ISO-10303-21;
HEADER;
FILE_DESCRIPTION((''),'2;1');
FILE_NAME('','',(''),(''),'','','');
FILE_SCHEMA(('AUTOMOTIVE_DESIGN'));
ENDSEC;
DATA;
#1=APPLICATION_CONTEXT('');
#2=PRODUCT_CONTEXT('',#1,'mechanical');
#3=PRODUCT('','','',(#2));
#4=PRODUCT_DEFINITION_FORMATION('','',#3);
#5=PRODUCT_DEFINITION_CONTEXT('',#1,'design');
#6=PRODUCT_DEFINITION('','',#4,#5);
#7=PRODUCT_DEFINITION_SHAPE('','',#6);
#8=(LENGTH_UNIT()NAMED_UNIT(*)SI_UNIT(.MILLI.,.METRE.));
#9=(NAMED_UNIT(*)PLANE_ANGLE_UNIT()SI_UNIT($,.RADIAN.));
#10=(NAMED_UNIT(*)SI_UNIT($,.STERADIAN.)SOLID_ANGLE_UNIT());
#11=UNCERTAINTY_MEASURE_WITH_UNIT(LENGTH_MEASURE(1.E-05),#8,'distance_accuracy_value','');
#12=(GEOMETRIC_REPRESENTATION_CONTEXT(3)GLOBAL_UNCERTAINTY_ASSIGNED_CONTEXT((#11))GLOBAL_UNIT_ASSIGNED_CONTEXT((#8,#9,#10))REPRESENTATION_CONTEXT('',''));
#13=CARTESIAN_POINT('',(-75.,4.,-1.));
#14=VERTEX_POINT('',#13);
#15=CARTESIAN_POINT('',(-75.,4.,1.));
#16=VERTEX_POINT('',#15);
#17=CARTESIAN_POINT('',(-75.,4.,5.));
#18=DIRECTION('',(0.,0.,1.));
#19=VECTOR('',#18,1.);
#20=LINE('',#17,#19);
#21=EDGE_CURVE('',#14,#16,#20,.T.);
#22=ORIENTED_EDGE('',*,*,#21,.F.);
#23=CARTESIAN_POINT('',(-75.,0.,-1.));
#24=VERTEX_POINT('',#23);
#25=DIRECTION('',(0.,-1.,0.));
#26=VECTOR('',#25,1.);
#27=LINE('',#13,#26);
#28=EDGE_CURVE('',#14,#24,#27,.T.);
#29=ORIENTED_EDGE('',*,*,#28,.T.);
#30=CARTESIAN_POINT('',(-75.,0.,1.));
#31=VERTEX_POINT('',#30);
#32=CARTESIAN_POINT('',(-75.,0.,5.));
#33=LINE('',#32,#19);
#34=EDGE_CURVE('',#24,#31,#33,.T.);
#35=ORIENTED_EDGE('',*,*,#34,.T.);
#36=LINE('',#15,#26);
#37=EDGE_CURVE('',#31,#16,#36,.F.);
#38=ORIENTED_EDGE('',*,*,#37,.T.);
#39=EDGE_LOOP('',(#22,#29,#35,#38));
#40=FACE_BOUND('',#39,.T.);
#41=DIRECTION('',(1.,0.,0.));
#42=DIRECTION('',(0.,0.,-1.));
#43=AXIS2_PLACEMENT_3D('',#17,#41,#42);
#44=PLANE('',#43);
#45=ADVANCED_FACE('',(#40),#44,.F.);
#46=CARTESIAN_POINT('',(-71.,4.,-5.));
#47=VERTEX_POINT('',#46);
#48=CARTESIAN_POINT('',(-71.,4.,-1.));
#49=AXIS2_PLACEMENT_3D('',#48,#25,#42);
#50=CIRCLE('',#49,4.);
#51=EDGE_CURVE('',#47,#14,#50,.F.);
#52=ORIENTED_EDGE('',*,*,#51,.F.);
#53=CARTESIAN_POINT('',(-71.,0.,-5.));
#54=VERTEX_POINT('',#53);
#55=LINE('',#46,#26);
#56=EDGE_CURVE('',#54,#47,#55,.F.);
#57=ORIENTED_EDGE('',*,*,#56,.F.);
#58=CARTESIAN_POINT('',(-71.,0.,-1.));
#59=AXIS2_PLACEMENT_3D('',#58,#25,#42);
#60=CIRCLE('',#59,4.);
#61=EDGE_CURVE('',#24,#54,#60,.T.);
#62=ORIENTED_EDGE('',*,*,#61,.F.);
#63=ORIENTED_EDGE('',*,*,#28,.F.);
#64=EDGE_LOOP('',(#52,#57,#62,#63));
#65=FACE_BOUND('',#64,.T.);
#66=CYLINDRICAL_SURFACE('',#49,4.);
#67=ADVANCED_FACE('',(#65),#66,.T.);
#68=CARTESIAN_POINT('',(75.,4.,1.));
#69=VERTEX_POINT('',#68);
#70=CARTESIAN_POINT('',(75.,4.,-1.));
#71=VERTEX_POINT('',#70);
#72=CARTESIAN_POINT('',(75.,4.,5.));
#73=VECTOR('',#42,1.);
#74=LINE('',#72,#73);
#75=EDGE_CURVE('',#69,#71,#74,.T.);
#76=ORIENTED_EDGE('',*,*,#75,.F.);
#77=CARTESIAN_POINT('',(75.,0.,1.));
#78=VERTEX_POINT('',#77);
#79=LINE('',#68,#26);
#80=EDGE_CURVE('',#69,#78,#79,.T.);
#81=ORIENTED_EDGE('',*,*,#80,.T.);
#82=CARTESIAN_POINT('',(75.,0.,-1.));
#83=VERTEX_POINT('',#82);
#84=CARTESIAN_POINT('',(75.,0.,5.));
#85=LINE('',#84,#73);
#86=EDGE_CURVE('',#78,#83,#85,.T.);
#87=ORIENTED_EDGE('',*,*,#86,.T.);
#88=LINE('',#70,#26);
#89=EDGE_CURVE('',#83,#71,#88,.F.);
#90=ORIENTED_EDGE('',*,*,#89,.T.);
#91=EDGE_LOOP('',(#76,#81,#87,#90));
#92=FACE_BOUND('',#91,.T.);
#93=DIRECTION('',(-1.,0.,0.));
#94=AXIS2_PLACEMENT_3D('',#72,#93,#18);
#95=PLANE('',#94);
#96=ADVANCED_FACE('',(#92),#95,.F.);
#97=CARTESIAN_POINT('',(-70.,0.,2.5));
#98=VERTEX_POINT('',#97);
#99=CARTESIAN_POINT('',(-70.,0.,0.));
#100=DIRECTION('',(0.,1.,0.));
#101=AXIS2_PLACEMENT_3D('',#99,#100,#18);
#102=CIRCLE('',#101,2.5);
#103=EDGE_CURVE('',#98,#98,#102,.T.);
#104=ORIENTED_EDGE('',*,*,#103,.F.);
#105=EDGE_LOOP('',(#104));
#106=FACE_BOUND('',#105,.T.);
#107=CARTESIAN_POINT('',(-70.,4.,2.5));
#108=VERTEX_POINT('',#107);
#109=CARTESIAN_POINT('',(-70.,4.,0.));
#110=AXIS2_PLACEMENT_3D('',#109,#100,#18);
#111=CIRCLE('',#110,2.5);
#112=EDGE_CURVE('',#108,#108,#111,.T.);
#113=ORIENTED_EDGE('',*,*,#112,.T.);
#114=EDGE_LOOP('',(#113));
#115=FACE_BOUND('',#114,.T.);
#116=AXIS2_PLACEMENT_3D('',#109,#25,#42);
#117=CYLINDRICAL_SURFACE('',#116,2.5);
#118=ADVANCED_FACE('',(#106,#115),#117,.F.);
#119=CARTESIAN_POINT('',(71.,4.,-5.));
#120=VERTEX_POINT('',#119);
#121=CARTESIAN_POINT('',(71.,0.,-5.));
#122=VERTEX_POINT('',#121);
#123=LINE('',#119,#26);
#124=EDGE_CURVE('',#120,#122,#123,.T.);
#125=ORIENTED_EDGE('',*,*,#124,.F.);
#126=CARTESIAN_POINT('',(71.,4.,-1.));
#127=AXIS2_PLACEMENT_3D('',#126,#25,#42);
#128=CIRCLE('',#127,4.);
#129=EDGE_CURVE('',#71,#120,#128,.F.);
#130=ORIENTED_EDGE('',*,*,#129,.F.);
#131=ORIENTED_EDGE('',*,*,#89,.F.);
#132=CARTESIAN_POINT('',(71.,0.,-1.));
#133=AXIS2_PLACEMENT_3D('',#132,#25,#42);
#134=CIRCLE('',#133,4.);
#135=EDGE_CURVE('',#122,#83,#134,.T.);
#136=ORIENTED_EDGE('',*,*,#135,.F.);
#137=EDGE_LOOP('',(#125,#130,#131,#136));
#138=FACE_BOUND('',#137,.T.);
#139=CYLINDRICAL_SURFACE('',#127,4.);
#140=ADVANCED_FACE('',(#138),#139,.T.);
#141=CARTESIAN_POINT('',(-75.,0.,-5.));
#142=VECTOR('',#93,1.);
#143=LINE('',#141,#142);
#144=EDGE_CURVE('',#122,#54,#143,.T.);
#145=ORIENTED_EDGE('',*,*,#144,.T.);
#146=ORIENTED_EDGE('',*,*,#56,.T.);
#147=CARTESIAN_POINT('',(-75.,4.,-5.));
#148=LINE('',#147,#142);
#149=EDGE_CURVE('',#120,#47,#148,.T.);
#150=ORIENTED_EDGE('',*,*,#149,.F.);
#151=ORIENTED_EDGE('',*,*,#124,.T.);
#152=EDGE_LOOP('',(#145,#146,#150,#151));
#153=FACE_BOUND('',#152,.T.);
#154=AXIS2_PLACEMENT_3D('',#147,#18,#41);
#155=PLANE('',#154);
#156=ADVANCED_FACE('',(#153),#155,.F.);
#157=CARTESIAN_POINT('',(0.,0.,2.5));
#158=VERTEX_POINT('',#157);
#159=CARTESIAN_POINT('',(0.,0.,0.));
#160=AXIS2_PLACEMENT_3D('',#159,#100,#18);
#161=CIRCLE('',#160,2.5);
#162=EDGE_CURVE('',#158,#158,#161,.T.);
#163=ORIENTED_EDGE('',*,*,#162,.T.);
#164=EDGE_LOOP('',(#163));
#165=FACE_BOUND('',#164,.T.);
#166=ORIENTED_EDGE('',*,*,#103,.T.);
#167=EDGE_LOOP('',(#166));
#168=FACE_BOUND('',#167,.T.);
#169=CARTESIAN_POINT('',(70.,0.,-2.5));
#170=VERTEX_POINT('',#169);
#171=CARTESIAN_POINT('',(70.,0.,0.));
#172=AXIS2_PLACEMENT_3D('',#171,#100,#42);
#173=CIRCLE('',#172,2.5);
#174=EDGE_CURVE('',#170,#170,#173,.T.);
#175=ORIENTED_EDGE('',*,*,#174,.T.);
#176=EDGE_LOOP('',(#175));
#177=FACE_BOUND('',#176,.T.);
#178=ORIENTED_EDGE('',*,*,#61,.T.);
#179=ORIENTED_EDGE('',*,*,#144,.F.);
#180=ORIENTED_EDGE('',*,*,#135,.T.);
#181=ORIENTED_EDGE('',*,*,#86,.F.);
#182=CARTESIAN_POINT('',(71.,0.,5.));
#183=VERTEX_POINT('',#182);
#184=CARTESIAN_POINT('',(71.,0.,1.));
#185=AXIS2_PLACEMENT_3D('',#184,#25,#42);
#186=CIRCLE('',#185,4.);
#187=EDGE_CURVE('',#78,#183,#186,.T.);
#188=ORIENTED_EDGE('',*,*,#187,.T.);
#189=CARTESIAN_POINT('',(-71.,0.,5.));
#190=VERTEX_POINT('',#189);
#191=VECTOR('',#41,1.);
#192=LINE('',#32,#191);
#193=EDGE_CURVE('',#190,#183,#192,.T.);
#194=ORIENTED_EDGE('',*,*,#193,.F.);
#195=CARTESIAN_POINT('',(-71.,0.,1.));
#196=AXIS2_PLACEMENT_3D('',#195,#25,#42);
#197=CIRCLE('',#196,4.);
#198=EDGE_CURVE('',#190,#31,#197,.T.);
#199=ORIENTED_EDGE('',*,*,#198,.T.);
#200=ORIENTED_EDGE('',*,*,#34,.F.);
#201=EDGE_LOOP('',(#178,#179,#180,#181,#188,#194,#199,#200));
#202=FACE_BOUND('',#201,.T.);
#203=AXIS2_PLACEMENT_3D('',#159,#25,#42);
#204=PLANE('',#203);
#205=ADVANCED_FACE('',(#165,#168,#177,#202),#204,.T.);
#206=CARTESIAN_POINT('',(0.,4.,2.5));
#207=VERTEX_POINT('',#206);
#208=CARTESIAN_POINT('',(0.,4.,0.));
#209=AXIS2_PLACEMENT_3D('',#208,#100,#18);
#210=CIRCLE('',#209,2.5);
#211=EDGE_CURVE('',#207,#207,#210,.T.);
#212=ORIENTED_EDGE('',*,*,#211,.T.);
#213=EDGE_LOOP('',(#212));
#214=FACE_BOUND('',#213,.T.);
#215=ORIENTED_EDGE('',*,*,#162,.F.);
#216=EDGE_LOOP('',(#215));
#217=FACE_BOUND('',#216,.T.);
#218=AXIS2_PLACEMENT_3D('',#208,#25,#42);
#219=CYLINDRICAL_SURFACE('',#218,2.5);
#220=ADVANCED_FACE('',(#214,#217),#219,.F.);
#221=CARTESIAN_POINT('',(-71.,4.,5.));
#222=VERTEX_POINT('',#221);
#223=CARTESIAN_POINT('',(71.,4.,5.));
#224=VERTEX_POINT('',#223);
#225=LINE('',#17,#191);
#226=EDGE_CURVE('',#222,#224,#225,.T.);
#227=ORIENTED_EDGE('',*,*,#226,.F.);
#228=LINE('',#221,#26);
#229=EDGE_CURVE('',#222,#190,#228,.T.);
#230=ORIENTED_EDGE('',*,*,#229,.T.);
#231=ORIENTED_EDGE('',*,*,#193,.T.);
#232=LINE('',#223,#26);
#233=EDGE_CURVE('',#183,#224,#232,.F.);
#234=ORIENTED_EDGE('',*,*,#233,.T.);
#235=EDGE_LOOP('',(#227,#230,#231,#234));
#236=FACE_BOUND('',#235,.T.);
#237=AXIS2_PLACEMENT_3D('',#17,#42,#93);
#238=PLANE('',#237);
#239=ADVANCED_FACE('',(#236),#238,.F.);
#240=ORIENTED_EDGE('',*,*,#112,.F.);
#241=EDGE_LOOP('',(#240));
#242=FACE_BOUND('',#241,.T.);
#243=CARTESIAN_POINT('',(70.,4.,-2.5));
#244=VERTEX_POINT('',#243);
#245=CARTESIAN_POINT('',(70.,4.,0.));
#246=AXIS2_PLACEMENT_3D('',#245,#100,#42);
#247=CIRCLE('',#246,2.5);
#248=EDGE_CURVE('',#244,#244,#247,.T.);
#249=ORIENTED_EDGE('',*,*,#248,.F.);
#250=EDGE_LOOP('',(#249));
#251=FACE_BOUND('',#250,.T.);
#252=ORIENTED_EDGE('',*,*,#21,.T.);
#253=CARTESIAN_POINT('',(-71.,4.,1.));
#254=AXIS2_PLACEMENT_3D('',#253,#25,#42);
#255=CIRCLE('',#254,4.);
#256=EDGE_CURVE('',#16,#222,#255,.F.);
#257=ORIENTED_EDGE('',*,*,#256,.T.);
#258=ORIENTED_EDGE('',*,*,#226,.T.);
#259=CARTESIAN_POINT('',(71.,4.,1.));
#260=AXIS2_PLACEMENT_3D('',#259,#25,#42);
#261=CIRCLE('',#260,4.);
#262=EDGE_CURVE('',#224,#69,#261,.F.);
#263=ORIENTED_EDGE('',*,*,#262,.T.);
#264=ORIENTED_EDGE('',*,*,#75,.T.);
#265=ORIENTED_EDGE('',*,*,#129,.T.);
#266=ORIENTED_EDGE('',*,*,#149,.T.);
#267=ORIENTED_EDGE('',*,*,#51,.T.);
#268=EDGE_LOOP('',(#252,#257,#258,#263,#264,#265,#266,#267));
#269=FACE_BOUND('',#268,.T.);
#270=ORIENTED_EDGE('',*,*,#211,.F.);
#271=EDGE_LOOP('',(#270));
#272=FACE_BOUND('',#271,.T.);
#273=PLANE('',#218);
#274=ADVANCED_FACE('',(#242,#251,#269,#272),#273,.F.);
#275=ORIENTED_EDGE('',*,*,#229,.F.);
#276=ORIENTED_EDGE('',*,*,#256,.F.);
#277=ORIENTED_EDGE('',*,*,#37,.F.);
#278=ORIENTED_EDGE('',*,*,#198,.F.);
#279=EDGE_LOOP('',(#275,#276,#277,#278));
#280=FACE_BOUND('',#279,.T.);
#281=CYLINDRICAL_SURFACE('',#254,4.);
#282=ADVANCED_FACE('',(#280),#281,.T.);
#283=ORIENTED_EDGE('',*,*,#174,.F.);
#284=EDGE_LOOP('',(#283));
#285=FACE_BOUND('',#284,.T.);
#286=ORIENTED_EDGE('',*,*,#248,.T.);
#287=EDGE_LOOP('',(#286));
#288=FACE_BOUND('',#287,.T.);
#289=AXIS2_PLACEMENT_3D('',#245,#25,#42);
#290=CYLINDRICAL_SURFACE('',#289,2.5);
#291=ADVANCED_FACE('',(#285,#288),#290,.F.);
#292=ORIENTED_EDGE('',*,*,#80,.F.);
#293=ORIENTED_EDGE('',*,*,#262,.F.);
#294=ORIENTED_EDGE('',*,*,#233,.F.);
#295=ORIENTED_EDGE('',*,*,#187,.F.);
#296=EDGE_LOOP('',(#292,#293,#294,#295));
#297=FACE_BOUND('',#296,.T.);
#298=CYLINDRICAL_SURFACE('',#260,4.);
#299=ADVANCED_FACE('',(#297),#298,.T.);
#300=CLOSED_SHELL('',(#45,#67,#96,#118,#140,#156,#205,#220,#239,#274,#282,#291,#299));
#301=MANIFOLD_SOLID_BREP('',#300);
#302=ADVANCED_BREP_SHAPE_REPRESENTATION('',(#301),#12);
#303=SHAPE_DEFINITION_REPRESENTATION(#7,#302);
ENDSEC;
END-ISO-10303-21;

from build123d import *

# Parameters (mm, degrees)
CROQUIS1_W              = 150
CROQUIS1_H              = 10
CROQUIS1_R              = 2.5
SALIENTE_EXTRUIR1_DEPTH = 4
REDONDEO1_R             = 4


with BuildPart() as part:
    # Croquis1 → Saliente-Extruir1 (new body)
    with BuildSketch(Plane(origin=(0, 0, 0), x_dir=(1, 0, 0), z_dir=(0, 1, 0))):
        Rectangle(CROQUIS1_W, CROQUIS1_H)
        with Locations((-70, 0)):
            Circle(CROQUIS1_R, mode=Mode.SUBTRACT)
        with Locations((70, 0)):
            Circle(CROQUIS1_R, mode=Mode.SUBTRACT)
        Circle(CROQUIS1_R, mode=Mode.SUBTRACT)
    extrude(amount=SALIENTE_EXTRUIR1_DEPTH)

    # Redondeo1
    redondeo1_edges = [part.edges().sort_by_distance(p)[0] for p in [
        (75, 2, 5),
        (-75, 2, 5),
        (-75, 2, -5),
        (75, 2, -5),
    ]]
    fillet(redondeo1_edges, radius=REDONDEO1_R)


solid = part.part
